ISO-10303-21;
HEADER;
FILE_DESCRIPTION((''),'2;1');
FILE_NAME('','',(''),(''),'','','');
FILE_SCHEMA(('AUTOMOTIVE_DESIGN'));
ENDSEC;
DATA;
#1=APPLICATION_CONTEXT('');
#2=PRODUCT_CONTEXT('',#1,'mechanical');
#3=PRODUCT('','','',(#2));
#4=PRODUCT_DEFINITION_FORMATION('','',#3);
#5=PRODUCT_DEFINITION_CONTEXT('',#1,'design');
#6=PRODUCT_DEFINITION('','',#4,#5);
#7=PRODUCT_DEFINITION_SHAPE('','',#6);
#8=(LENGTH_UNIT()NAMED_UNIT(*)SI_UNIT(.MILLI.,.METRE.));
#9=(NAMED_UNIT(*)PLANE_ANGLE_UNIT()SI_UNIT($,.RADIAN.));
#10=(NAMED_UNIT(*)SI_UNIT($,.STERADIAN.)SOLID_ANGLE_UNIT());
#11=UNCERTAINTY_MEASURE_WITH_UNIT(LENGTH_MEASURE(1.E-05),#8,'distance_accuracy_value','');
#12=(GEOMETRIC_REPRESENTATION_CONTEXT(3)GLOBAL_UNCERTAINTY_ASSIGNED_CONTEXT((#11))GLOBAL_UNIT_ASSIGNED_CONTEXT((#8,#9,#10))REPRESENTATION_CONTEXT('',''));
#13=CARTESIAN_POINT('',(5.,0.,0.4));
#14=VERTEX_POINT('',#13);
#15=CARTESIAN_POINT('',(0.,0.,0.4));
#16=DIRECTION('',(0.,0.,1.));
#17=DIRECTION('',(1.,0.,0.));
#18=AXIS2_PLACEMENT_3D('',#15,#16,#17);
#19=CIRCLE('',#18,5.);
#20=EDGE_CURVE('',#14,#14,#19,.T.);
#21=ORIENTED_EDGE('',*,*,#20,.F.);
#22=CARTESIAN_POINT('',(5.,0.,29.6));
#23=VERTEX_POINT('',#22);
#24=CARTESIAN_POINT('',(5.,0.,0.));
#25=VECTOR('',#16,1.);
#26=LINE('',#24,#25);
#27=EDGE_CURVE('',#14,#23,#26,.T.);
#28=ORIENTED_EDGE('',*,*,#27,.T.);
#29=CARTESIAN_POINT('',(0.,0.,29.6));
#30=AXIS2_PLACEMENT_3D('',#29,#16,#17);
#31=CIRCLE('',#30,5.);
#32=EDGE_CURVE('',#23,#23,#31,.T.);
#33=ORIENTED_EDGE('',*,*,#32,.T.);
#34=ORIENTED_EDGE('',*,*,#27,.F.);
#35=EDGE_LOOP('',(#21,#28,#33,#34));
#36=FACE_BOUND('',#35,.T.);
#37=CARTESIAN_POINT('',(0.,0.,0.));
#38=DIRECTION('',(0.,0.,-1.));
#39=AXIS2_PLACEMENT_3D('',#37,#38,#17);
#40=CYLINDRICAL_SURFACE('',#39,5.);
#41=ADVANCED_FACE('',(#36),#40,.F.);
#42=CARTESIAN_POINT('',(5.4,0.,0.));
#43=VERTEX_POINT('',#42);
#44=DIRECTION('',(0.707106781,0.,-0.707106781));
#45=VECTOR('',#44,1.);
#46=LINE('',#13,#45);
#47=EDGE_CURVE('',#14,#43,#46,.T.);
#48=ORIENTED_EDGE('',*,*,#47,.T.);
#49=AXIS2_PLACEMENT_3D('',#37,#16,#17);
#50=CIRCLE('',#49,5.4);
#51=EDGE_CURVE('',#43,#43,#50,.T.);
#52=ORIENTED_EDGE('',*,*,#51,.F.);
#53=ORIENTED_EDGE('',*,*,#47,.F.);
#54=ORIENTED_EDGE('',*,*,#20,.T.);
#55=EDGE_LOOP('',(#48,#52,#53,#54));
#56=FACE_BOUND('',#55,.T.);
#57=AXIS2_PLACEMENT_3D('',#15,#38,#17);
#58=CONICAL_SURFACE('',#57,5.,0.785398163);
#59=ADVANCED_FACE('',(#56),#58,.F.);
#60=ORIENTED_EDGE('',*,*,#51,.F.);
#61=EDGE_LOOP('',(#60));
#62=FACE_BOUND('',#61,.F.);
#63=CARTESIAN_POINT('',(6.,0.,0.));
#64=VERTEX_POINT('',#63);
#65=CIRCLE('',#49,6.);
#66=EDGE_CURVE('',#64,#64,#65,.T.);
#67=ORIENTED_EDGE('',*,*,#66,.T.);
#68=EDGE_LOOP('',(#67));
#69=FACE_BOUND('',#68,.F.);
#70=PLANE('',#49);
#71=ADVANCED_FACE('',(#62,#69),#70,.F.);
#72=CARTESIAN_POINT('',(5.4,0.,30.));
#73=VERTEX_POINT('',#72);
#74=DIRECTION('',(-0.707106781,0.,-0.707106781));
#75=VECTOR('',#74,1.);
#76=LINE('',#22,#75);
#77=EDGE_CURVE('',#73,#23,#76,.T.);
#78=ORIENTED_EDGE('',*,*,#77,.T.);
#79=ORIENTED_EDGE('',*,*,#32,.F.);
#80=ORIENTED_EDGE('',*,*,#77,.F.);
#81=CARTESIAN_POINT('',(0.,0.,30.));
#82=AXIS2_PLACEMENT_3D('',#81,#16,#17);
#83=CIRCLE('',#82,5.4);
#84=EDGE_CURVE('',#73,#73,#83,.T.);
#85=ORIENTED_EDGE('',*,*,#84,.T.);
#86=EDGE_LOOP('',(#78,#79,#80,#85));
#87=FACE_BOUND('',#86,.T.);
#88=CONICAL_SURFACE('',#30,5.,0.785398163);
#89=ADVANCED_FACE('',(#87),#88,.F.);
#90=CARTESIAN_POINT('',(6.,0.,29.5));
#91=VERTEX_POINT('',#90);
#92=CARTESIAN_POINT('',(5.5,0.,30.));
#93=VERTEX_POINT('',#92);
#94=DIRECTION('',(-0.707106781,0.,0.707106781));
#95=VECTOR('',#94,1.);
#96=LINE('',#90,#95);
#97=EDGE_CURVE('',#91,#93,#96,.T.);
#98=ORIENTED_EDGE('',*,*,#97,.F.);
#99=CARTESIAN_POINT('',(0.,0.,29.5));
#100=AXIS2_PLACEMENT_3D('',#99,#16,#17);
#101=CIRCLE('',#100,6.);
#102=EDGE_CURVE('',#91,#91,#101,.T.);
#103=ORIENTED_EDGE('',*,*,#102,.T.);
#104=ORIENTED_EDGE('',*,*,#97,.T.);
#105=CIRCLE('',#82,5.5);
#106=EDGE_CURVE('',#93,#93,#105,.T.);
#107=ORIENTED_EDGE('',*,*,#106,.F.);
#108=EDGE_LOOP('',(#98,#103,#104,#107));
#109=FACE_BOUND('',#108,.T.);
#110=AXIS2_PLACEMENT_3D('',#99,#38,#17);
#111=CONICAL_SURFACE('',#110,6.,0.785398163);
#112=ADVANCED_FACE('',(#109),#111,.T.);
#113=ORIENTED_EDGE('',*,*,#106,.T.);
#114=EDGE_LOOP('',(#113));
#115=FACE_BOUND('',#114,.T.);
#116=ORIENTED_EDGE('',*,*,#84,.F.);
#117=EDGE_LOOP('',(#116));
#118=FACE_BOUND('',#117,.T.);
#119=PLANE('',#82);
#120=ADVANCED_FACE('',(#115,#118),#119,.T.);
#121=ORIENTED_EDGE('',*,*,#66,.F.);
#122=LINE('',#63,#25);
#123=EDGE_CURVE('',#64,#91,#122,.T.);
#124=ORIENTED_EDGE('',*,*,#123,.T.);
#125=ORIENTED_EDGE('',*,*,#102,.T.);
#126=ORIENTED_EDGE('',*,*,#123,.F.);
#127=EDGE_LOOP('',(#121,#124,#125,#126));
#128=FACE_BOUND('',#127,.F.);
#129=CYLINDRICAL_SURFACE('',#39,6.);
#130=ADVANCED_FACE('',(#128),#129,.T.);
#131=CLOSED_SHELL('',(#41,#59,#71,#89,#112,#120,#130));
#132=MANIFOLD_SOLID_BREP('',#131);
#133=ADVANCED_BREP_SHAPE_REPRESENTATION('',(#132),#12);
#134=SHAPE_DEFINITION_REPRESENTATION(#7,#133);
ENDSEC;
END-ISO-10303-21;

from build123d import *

# Parameters (mm, degrees)
SKETCH_R        = 6
SKETCH_R_2      = 5
PAD_DEPTH       = 30
CHAMFER_SIZE    = 0.5
CHAMFER001_SIZE = 0.4
CHAMFER002_SIZE = 0.4


with BuildPart() as part:
    # Sketch → Pad (new body)
    with BuildSketch(Plane.XY):
        Circle(SKETCH_R)
        Circle(SKETCH_R_2, mode=Mode.SUBTRACT)
    extrude(amount=PAD_DEPTH)

    # Chamfer
    chamfer_edges = [part.edges().sort_by_distance(p)[0] for p in [
        (-6, 0, 30),
    ]]
    chamfer(chamfer_edges, length=CHAMFER_SIZE)

    # Chamfer001
    chamfer001_edges = [part.edges().sort_by_distance(p)[0] for p in [
        (-5, 0, 30),
    ]]
    chamfer(chamfer001_edges, length=CHAMFER001_SIZE)

    # Chamfer002
    chamfer002_edges = [part.edges().sort_by_distance(p)[0] for p in [
        (-5, 0, 0),
    ]]
    chamfer(chamfer002_edges, length=CHAMFER002_SIZE)


solid = part.part
